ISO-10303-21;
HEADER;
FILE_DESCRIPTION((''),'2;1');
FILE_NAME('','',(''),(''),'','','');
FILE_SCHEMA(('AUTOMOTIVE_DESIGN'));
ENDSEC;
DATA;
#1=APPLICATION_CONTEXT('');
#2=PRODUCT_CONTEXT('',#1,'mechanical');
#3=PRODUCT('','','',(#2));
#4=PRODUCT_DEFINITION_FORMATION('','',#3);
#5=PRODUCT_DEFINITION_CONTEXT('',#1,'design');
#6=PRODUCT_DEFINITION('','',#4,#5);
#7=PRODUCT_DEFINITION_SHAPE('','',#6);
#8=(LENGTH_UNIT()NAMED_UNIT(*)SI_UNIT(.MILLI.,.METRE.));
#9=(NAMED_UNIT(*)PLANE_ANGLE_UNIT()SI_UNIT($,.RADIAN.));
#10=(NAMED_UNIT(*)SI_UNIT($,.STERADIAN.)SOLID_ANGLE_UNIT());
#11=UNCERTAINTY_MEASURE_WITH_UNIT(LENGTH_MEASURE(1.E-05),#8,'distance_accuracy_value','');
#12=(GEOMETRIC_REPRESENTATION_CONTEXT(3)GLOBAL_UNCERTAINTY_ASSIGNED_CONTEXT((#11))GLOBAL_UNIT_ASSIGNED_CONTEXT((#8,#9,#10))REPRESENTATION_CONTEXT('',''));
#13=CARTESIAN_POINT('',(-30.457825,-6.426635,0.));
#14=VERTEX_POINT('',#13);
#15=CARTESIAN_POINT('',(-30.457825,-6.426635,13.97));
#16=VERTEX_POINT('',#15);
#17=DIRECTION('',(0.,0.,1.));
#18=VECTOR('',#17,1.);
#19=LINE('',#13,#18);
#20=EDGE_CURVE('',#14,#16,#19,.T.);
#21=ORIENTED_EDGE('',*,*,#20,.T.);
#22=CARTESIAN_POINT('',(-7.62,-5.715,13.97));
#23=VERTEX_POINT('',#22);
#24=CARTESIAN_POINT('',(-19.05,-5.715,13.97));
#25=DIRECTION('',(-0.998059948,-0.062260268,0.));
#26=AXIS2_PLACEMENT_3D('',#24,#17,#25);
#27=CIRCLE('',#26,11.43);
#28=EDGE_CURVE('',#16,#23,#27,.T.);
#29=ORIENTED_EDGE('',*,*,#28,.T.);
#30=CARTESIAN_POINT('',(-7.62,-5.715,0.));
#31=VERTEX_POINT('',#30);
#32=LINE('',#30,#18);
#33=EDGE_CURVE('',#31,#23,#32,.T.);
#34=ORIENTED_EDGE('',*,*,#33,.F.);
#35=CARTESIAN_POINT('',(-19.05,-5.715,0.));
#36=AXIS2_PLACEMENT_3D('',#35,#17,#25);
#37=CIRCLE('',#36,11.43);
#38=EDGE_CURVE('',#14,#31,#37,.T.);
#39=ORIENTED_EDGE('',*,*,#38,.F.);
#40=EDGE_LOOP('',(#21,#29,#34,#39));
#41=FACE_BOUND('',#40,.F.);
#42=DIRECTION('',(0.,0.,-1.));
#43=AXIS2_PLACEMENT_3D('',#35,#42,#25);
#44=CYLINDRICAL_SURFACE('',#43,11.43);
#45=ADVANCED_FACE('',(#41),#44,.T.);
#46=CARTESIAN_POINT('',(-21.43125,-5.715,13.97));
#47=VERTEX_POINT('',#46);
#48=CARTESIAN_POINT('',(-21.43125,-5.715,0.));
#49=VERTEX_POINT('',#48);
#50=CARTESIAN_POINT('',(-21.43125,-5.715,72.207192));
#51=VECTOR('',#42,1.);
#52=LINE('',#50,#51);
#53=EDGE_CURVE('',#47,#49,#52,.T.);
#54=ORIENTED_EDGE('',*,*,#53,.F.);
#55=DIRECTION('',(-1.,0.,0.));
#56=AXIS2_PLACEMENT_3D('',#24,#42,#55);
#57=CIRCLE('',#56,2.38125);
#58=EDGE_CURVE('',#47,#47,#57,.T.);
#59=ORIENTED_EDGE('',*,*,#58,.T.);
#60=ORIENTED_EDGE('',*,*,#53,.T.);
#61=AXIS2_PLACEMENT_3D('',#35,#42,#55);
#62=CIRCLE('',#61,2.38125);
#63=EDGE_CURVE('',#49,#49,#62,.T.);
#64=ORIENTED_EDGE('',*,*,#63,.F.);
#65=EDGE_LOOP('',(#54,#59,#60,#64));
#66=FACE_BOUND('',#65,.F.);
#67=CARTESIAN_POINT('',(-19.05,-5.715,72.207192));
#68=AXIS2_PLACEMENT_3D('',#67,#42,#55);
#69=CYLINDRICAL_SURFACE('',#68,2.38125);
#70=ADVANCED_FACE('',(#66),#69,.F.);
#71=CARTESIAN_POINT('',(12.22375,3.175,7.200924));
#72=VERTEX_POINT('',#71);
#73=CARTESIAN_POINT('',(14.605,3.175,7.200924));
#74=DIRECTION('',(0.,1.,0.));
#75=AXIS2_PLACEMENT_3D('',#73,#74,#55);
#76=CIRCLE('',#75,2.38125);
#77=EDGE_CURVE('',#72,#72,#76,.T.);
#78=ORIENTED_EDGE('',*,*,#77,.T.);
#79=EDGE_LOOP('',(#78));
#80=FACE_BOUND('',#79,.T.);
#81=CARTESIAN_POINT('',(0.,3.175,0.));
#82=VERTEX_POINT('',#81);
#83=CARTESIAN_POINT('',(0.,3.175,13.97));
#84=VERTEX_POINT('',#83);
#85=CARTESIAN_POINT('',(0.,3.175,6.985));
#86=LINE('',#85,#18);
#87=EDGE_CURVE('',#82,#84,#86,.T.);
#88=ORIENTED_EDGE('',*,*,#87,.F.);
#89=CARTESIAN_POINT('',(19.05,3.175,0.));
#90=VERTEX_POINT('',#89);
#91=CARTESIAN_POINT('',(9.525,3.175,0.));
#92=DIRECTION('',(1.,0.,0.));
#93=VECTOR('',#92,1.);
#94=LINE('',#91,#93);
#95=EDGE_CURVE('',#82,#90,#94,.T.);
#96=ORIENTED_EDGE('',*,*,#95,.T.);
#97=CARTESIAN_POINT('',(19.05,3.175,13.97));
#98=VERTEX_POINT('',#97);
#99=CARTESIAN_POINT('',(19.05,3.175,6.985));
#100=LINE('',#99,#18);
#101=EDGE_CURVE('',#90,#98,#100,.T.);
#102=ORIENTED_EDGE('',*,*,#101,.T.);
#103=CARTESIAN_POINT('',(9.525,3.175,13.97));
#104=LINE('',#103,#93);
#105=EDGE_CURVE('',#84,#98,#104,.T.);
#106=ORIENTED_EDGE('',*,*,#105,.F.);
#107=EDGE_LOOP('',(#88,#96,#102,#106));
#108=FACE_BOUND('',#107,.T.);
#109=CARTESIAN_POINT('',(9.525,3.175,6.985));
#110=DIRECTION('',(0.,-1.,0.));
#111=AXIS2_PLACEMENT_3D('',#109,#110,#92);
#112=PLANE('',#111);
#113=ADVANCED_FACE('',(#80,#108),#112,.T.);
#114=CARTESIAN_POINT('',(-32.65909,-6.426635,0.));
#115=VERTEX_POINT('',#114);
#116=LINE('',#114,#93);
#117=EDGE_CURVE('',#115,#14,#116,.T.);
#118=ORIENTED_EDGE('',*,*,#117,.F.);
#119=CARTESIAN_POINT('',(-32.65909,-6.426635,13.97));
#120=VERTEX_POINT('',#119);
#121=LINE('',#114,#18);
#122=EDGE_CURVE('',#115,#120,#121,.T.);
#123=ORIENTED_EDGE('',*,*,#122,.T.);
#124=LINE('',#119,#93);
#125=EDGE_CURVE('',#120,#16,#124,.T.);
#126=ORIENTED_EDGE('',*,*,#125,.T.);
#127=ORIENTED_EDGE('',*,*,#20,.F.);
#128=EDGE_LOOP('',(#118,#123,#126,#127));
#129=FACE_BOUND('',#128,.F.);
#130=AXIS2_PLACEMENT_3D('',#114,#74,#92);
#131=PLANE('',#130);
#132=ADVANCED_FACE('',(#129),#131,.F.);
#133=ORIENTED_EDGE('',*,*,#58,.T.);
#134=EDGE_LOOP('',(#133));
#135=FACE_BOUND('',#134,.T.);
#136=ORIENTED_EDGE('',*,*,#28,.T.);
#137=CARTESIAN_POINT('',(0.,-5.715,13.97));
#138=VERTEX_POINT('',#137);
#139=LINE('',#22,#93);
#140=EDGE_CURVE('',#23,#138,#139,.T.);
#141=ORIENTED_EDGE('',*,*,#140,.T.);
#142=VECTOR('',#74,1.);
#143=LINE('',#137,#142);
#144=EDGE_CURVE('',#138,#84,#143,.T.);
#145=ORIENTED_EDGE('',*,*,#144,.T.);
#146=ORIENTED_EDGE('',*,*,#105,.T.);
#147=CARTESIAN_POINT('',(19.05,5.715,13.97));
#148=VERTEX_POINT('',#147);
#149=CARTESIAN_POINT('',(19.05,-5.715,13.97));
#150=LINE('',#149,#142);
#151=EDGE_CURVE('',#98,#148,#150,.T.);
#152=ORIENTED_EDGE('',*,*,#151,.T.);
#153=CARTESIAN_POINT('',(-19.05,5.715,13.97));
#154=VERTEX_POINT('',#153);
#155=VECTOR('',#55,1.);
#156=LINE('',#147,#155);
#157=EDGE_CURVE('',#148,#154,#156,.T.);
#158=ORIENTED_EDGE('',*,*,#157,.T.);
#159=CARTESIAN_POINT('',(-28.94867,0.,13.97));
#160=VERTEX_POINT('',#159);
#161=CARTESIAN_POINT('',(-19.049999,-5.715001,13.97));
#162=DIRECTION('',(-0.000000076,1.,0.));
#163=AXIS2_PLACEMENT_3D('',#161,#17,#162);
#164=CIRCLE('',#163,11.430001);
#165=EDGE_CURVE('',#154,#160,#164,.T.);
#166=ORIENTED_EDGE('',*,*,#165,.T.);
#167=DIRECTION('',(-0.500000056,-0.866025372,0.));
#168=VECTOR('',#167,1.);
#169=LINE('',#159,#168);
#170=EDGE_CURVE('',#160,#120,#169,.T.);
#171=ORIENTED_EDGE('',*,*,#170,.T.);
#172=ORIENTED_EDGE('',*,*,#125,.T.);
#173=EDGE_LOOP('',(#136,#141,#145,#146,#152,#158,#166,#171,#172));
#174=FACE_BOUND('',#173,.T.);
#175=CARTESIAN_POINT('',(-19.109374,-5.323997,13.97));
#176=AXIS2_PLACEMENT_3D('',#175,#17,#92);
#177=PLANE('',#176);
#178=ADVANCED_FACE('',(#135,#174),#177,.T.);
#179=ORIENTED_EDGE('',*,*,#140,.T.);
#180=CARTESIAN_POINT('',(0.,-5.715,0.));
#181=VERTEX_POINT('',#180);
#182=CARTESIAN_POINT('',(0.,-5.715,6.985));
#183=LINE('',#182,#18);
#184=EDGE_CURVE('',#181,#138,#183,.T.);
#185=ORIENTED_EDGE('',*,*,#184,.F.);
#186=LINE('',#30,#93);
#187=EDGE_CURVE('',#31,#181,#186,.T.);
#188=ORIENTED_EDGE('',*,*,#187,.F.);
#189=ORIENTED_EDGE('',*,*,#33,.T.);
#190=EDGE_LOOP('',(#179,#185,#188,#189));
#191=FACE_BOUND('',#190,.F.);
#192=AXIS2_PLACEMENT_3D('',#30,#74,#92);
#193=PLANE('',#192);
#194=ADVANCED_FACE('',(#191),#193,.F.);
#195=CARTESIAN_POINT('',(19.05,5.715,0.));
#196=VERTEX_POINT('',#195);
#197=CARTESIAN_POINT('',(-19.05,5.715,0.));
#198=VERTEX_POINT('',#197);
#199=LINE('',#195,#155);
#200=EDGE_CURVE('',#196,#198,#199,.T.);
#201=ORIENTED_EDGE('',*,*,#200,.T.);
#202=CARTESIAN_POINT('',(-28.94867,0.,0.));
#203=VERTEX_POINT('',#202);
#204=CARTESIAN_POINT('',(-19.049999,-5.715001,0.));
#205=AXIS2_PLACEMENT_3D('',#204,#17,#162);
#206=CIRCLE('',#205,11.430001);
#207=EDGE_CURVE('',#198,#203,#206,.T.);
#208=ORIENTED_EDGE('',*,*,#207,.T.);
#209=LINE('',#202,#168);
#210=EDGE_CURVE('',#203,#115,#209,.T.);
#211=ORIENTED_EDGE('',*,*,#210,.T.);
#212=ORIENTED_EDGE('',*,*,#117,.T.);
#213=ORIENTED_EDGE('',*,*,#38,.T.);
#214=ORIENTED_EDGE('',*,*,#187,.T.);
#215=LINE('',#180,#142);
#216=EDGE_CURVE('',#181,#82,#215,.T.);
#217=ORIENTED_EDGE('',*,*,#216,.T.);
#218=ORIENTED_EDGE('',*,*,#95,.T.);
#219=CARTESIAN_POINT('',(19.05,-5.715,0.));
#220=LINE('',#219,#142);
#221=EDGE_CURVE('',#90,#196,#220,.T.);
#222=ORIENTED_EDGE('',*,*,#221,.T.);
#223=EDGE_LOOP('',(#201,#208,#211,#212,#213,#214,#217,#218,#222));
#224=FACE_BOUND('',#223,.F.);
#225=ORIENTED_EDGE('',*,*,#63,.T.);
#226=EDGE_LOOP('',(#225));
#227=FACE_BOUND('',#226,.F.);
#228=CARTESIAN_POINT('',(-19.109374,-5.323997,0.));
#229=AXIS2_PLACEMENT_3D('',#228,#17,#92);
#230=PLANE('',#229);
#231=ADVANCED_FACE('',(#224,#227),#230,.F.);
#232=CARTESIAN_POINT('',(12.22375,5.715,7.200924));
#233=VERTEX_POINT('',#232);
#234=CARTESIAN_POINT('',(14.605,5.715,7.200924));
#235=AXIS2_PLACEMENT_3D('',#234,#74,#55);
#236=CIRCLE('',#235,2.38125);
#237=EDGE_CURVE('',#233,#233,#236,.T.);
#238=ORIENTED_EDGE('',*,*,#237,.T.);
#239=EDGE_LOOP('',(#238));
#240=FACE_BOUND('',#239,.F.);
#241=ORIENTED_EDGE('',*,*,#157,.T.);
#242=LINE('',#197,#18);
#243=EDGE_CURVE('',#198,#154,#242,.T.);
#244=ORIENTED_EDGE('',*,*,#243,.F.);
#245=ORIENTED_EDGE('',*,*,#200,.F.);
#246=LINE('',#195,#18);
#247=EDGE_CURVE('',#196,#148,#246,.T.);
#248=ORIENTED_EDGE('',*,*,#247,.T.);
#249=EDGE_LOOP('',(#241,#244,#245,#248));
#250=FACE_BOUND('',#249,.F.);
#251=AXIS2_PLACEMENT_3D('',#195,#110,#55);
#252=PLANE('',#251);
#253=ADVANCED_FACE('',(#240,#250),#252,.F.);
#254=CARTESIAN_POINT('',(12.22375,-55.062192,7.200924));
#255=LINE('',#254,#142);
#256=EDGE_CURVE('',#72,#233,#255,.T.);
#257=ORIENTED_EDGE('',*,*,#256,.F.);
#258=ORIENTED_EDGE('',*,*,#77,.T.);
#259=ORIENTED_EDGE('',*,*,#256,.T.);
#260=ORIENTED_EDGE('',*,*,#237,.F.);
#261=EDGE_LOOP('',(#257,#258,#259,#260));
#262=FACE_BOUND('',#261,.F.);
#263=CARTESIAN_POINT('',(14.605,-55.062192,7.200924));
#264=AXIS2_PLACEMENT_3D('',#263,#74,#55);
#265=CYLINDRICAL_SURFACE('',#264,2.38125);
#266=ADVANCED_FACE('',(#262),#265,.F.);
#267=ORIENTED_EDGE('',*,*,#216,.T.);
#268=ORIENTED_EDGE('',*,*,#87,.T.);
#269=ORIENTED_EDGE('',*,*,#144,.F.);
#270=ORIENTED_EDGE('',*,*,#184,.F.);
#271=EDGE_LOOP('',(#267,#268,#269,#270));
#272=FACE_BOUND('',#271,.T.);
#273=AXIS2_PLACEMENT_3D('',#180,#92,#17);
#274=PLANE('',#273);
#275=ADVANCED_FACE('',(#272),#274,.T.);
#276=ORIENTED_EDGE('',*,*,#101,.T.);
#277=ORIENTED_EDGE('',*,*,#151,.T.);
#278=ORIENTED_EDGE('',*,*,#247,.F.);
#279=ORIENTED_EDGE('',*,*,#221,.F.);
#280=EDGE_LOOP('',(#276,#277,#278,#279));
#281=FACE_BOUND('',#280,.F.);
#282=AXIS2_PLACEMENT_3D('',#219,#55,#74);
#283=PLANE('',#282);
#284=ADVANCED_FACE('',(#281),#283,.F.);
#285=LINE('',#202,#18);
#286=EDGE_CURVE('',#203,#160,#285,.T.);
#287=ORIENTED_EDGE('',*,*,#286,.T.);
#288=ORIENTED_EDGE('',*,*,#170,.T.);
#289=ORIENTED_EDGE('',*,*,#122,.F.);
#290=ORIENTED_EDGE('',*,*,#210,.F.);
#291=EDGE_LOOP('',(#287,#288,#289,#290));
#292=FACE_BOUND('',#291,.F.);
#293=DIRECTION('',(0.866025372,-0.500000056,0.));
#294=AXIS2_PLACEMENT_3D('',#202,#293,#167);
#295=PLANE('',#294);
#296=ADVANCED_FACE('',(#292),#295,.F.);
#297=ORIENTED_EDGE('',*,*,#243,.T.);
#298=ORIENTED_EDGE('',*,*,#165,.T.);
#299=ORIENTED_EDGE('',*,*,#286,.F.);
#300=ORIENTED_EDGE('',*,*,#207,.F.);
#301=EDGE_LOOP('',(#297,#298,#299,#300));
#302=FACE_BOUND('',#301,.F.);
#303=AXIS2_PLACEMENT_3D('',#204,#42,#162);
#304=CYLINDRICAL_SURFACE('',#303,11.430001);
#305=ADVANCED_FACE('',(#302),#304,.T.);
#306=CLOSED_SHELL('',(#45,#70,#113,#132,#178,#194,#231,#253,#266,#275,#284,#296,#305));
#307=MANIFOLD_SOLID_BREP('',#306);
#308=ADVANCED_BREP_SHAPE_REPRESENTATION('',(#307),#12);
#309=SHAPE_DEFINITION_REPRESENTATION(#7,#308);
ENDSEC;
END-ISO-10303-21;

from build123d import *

# Parameters (mm, degrees)
F1_DEPTH = 13.97
F3_D     = 4.7625
F4_W     = 19.05
F4_H     = 13.97
F5_DEPTH = 8.89
F7_D     = 4.7625


with BuildPart() as f1:
    # F0 (on Top) → F1 (new body)
    with BuildSketch(Plane.XY):
        with BuildLine():
            ThreePointArc((-30.457825, -6.426635), (-18.69401, -17.139455), (-7.62, -5.715))
            ThreePointArc((-7.62, -5.715), (-10.967769, 2.367231), (-19.05, 5.715))
            ThreePointArc((-19.05, 5.715), (-24.765, 4.18367), (-28.94867, 0))
            ThreePointArc((-28.94867, 0), (-30.177313, -3.101994), (-30.457825, -6.426635))
        make_face()
        with BuildLine():
            Line((-7.62, -5.715), (19.05, -5.715))
            Line((19.05, -5.715), (19.05, 5.715))
            Line((19.05, 5.715), (-19.05, 5.715))
            ThreePointArc((-19.05, 5.715), (-10.967769, 2.367231), (-7.62, -5.715))
        make_face()
        with BuildLine():
            Line((-32.65909, -6.426635), (-30.457825, -6.426635))
            ThreePointArc((-30.457825, -6.426635), (-30.177313, -3.101994), (-28.94867, 0))
            Line((-28.94867, 0), (-32.65909, -6.426635))
        make_face()
    extrude(amount=F1_DEPTH)

    # F3 (through all)
    with Locations(Plane.XY.offset(13.97)):
        with Locations((-19.05, -5.715)):
            Hole(F3_D / 2)

    # F4 (on face) → F5 (cut)
    with BuildSketch(Plane.XZ.offset(5.715)):
        with Locations((9.525, 6.985)):
            Rectangle(F4_W, F4_H)
    extrude(amount=-F5_DEPTH, mode=Mode.SUBTRACT)

    # F7 (through all)
    with Locations(Plane.XZ.offset(-3.175)):
        with Locations((14.605, 7.200924)):
            Hole(F7_D / 2)


solid = f1.part
